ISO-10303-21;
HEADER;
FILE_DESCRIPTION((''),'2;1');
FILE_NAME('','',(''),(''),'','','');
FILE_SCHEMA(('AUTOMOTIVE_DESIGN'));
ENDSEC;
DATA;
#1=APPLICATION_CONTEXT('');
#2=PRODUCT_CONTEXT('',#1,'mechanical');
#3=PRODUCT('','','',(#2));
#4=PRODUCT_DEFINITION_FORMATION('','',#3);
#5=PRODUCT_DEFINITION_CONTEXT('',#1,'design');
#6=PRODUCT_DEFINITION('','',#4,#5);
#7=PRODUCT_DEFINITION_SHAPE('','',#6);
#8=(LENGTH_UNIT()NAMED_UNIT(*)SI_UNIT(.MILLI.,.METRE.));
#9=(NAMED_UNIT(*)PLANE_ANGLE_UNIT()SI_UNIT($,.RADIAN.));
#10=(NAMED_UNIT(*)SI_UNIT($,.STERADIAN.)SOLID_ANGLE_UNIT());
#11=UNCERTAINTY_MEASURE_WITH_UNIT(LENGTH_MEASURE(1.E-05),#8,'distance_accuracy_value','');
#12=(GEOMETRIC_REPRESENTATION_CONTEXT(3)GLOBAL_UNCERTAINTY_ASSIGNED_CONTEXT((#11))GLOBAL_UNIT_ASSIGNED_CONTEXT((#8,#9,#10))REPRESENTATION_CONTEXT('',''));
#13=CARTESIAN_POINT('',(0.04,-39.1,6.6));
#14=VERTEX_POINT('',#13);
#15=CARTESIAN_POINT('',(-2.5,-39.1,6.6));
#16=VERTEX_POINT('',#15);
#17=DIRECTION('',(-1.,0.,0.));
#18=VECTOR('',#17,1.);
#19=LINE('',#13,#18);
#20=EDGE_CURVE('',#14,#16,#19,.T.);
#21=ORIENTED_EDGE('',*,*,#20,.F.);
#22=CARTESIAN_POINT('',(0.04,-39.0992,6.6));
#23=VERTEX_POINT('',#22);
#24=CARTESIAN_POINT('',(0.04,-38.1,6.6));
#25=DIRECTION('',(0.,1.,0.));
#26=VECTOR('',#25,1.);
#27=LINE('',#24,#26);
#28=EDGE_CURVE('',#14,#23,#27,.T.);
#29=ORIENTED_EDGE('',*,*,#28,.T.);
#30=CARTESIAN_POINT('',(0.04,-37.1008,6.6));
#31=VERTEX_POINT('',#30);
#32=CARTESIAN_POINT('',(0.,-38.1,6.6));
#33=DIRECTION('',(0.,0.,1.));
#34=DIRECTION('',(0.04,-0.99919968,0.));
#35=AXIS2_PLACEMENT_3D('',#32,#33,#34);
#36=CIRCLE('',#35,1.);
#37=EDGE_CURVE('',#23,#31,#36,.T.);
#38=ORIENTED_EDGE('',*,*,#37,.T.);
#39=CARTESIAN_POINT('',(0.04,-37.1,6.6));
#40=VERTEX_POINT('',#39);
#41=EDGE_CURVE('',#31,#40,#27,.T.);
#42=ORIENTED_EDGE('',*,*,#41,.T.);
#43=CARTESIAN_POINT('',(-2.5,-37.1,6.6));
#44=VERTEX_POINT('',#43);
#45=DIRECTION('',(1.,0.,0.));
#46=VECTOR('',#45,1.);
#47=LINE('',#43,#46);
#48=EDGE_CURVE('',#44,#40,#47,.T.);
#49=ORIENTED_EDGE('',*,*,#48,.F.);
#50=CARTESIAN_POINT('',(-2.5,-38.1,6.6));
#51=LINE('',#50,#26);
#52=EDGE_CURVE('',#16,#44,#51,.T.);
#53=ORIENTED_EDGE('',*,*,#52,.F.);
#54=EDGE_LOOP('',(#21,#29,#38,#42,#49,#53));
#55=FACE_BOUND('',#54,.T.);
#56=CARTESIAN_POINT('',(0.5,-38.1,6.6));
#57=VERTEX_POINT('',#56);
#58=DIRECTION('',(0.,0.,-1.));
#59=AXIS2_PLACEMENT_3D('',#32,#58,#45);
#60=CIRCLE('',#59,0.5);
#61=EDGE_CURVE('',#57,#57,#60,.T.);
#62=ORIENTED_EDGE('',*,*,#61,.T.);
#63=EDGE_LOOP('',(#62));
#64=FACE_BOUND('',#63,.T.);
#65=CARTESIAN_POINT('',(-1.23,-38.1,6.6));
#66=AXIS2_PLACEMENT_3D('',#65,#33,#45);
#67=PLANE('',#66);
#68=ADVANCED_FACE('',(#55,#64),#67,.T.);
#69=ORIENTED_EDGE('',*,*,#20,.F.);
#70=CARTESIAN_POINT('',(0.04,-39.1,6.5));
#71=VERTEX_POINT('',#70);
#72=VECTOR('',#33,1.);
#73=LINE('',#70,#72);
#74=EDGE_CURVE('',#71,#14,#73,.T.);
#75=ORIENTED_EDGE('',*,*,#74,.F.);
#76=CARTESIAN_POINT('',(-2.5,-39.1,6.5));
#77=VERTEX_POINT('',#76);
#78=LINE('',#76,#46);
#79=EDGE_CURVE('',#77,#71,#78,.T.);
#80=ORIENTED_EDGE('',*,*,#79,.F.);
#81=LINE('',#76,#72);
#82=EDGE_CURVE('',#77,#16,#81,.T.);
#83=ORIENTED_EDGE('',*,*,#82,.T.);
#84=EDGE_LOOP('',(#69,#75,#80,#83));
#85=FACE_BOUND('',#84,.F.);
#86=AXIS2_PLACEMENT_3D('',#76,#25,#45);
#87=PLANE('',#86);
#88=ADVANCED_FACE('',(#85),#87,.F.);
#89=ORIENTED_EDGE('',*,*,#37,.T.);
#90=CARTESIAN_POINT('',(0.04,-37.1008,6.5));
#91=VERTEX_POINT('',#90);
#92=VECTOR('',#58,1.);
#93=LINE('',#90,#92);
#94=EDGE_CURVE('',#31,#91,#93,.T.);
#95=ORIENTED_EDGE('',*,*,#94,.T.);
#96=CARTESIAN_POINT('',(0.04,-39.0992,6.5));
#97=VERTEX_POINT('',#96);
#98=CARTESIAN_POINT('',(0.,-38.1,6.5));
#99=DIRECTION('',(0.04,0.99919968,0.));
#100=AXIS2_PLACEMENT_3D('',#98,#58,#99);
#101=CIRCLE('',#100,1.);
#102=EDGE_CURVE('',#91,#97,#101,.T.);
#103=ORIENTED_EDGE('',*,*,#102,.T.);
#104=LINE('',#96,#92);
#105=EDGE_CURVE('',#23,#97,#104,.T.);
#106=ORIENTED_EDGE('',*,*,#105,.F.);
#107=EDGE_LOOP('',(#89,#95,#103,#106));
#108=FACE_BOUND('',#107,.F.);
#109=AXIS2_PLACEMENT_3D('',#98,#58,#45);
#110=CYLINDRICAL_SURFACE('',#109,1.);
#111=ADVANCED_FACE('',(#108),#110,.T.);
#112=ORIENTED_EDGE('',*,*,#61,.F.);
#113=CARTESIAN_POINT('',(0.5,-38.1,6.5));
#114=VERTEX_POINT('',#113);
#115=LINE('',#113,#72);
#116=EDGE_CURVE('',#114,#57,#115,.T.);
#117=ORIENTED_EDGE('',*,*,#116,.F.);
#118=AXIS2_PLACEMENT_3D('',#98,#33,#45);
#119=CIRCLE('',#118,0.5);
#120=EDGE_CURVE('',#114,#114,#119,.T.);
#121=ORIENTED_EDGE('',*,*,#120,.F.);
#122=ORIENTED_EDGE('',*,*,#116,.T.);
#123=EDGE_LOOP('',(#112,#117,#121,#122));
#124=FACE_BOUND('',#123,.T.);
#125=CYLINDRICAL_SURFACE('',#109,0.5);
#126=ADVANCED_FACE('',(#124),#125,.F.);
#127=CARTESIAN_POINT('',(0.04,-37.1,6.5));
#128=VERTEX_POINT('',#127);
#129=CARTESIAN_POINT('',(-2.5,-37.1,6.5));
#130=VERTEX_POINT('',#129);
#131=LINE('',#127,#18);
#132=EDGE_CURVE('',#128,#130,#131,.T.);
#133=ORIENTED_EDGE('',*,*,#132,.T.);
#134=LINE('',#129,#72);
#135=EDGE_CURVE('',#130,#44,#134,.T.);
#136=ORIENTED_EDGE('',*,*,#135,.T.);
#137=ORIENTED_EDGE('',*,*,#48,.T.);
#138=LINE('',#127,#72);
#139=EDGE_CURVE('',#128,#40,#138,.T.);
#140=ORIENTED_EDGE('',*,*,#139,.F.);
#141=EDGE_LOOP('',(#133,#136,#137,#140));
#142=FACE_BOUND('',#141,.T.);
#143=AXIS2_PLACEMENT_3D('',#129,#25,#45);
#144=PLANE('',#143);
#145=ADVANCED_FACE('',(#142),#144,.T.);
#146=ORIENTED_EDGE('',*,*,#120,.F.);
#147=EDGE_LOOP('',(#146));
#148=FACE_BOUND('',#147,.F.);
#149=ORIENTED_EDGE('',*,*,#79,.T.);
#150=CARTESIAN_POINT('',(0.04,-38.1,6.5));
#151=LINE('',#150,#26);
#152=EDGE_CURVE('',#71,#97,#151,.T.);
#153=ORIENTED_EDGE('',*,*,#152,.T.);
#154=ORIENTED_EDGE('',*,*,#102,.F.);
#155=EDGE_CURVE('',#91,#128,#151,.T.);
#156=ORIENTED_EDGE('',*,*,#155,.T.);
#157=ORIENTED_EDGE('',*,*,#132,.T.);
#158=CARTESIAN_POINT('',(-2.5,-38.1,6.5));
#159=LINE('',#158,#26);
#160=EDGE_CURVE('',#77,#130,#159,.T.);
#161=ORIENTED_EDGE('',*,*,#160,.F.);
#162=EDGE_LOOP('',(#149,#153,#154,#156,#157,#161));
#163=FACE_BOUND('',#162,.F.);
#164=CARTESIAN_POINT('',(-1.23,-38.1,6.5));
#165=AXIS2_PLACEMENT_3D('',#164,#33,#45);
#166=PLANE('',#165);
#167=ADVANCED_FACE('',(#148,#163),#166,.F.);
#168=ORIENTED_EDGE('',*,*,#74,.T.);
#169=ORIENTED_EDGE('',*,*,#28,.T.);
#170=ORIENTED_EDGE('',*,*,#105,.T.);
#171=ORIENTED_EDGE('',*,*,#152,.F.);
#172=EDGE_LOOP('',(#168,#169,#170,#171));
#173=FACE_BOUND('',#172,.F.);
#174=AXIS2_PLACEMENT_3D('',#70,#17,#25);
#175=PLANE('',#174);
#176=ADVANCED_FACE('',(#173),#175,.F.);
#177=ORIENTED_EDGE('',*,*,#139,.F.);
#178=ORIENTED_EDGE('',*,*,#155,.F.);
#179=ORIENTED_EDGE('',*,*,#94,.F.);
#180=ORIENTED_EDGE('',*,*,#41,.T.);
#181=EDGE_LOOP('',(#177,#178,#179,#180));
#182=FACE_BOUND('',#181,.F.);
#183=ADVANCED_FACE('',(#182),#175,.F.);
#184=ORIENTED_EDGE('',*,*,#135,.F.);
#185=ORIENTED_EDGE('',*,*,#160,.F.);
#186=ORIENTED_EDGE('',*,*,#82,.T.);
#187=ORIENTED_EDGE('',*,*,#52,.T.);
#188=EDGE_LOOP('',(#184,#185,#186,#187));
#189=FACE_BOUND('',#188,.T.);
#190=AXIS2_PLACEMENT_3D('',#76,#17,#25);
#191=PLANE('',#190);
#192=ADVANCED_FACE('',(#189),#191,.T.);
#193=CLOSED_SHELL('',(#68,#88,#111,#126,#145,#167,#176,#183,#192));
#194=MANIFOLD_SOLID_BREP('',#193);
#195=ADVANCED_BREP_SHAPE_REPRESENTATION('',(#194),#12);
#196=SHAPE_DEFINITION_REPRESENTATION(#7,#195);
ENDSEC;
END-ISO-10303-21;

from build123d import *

# Parameters (mm, degrees)
CYLINDER047_R     = 0.5
CYLINDER047_DEPTH = 0.1
BOX018_W          = 2.54
BOX018_H          = 2
BOX018_DEPTH      = 0.1
CYLINDER046_R     = 0.5
CYLINDER046_DEPTH = 0.1
CYLINDER045_R     = 1
CYLINDER045_DEPTH = 0.1


with BuildPart() as cylinder047:
    # Cylinder047 → Cylinder047 (new body)
    with BuildSketch(Plane.XY.offset(1)):
        Circle(CYLINDER047_R)
    extrude(amount=CYLINDER047_DEPTH)


with BuildPart() as cut032:
    # Box018 → Box018 (new body)
    with BuildSketch(Plane(origin=(-2.5, -1, 1), x_dir=(1, 0, 0), z_dir=(0, 0, 1))):
        with Locations((1.27, 1)):
            Rectangle(BOX018_W, BOX018_H)
    extrude(amount=BOX018_DEPTH)

    # Cut032: cut Cylinder047
    add(cylinder047.part, mode=Mode.SUBTRACT)


with BuildPart() as cylinder046:
    # Cylinder046 → Cylinder046 (new body)
    with BuildSketch(Plane.XY.offset(1)):
        Circle(CYLINDER046_R)
    extrude(amount=CYLINDER046_DEPTH)


with BuildPart() as fusion015:
    # Cylinder045 → Cylinder045 (new body)
    with BuildSketch(Plane.XY.offset(1)):
        Circle(CYLINDER045_R)
    extrude(amount=CYLINDER045_DEPTH)

    # Cut031: cut Cylinder046
    add(cylinder046.part, mode=Mode.SUBTRACT)

    # Fusion015: union Cut032
    add(cut032.part)


with BuildPart() as fusion015_1:
    # Fusion015 placement: moved
    add(fusion015.part.moved(Location((0, -38.1, 5.5))))


solid = fusion015_1.part
